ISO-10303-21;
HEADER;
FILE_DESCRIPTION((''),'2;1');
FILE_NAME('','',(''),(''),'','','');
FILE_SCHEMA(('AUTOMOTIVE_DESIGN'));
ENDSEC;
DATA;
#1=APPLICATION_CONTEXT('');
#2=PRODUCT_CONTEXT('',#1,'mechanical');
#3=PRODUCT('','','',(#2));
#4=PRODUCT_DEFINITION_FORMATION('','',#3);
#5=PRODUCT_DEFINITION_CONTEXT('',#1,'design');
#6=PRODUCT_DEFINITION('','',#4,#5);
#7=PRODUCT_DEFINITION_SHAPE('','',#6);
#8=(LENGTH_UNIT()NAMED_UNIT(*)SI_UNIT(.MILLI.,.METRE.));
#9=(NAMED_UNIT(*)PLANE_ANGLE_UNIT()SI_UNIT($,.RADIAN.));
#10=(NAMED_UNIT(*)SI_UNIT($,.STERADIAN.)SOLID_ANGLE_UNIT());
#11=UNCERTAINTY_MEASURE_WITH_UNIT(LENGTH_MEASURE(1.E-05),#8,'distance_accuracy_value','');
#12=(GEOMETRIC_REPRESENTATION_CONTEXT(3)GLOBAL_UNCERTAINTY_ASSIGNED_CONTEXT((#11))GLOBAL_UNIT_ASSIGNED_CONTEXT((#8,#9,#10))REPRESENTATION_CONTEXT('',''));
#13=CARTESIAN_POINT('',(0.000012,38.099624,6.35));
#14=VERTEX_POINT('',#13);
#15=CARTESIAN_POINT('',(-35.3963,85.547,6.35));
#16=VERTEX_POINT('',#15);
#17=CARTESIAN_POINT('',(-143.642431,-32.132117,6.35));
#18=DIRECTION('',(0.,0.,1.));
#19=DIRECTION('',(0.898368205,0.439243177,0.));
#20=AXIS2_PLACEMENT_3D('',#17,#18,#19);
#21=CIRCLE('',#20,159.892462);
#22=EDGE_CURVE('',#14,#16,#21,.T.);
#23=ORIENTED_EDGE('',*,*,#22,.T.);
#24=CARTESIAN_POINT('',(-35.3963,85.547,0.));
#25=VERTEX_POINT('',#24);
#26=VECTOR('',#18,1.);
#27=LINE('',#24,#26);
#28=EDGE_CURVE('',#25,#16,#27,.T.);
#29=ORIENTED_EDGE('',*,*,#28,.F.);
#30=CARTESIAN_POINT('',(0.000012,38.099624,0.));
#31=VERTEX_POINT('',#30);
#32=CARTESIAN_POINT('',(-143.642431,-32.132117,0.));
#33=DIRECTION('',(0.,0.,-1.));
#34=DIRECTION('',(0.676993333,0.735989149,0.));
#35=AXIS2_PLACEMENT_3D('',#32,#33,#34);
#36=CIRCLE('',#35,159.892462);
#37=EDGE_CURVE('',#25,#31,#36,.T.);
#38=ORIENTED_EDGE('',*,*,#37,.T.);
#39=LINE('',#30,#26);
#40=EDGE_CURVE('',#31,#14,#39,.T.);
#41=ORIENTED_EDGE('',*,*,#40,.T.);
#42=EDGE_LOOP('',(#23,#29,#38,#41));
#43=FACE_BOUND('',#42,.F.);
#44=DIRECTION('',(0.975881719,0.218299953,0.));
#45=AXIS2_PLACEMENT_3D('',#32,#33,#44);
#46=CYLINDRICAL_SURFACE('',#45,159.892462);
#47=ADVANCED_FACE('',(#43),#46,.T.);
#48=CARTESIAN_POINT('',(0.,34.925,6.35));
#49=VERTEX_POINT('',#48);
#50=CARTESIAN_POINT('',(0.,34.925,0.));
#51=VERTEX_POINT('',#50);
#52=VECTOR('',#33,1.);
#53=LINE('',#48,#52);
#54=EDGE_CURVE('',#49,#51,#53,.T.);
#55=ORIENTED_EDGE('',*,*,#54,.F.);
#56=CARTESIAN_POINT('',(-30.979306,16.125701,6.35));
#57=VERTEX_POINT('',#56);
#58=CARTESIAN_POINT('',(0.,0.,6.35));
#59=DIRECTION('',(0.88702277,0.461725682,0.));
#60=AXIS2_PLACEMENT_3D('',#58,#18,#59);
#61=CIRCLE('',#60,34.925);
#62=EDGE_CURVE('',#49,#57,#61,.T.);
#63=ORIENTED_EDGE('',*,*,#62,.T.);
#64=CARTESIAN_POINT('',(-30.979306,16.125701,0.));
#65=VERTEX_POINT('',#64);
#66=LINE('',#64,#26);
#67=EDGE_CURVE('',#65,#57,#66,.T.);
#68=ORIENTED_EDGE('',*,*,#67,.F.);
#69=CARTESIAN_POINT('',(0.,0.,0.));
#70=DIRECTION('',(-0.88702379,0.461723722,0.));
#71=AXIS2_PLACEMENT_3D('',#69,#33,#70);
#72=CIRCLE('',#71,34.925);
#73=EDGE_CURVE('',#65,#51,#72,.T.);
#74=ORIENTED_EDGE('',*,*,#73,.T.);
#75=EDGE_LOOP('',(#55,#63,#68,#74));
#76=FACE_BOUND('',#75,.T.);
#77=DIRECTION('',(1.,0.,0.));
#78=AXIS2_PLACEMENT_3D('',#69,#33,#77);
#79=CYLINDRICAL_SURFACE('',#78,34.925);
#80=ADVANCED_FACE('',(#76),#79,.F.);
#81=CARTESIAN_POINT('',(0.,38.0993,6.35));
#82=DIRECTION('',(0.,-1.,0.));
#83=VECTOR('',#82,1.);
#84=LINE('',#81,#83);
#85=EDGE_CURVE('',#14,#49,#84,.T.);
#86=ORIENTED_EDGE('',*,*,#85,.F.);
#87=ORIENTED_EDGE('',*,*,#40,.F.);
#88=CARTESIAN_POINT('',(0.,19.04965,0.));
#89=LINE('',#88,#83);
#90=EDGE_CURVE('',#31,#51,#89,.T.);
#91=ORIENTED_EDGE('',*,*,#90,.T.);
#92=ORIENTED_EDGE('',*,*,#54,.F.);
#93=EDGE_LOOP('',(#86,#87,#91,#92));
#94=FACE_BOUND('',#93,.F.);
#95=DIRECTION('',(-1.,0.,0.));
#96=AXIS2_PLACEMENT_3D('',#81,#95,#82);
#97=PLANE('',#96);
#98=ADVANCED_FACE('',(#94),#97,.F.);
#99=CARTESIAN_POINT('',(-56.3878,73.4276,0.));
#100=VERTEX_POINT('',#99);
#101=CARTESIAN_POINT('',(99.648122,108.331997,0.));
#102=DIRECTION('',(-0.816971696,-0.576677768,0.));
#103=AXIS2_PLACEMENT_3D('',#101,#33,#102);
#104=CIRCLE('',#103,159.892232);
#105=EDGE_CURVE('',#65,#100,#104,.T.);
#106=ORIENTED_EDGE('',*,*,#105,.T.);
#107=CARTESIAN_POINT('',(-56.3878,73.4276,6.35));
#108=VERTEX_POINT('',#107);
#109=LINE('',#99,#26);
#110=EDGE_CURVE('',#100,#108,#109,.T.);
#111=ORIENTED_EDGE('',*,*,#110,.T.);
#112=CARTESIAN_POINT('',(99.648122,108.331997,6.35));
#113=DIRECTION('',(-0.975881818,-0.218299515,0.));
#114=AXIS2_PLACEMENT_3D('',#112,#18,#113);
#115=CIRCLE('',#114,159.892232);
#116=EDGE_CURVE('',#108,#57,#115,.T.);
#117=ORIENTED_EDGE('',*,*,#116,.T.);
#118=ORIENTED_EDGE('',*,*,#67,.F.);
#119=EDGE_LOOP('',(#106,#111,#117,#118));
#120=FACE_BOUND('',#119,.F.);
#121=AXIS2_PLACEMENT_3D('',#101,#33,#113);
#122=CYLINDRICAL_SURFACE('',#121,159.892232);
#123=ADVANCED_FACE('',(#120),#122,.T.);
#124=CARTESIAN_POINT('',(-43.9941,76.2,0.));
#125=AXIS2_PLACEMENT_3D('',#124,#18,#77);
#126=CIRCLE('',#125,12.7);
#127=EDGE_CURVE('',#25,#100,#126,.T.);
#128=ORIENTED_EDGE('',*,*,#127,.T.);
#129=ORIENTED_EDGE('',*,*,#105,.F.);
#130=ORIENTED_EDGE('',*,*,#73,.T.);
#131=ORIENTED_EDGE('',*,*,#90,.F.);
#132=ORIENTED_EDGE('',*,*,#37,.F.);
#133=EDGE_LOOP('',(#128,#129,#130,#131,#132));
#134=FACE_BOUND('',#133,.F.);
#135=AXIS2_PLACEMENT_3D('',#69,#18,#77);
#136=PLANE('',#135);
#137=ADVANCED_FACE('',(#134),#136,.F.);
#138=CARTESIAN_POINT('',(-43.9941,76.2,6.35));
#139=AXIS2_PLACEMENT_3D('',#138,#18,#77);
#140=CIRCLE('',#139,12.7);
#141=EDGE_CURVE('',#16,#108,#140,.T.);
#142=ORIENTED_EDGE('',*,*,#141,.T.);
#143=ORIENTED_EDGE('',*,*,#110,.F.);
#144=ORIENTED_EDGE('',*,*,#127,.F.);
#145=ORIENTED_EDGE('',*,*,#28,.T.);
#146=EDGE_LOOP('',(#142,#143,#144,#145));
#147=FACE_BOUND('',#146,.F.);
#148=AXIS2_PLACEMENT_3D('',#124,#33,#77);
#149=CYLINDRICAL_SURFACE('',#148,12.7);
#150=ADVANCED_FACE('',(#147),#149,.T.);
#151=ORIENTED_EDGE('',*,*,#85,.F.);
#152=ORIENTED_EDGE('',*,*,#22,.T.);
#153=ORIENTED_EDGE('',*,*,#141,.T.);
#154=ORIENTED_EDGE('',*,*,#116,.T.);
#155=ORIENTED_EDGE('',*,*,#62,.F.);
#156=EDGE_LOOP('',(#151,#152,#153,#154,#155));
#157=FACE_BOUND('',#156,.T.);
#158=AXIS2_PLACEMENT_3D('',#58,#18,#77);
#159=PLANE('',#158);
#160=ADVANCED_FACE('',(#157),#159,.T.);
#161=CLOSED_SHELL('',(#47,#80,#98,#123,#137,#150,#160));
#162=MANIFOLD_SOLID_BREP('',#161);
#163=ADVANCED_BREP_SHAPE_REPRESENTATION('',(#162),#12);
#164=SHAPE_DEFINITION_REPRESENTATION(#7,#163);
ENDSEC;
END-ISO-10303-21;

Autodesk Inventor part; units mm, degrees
ref_plane "YZ Plane" through (0, 0, 0) normal (1, 0, 0) x (0, 1, 0)
ref_plane "XZ Plane" through (0, 0, 0) normal (0, 1, 0) x (-1, 0, 0)
ref_plane "XY Plane" through (0, 0, 0) normal (0, 0, 1) x (1, 0, 0)
sketch "Sketch1" plane through (0, 0, 0) normal (0, 0, 1) x (1, 0, 0)
  circle A0 centre (0, 0) radius 12.7
  line L0 (0, 0) -> (-43.9941, 76.2)
  line L1 (-43.9941, 76.2) -> (43.9941, 76.2)
  line L2 (43.9941, 76.2) -> (0, 0)
  line L3 (0, 0) -> (0, 76.2)
  circle A1 centre (-43.9941, 76.2) radius 12.7
  circle A2 centre (43.9941, 76.2) radius 12.7
  arc A3 (-56.3878, 73.4276) -> (-8.5978, -9.347) centre (99.6489, 108.3323) ccw
  arc A4 (12.3937, 2.7724) -> (-35.3963, 85.547) centre (-143.6429, -32.1323) ccw
  arc A5 (8.5978, -9.347) -> (56.3878, 73.4276) centre (-99.6489, 108.3323) ccw
  arc A6 (35.3963, 85.547) -> (-12.3937, 2.7724) centre (143.6429, -32.1323) ccw
  circle A7 centre (0, 0) radius 38.1
  circle A8 centre (0, 0) radius 34.925
  point P0 (-30.9793, 16.1257)
  point P1 (30.9793, 16.1257)
  point P2 (56.3878, 73.4276)
  point P3 (0, 38.0993)
  dimension "d2" = 25.4
  dimension "d3" = 25.4
  dimension "d0" = 76.2
  dimension "d1" = 60
  dimension "d4" = 25.4
  dimension "d5" = 159.893
  dimension "d6" = 76.2
  dimension "d7" = 3.175
extrude "Extrusion1" add sketch "Sketch1" along normal blind 6.35 contours A8 L2 A7 A5 | A8 A4 A7 L2 | A8 L3 A4 | A3 A7 L0 A8 | A7 L2 A2 A5 | A8 A6 L3 | A7 A6 L1 A2 L2 | A7 L0 A1 L1 A4 | A6 A8 L0 A7 | A3 A1 L0 A7 | A2 L2 L1 | A2 L1 L2 | L1 A1 A4 | A6 A2 L1 | A1 L1 L0 | A1 L0 L1
sketch "Sketch2" plane through (0, 0, 6.35) normal (0, 0, 1) x (1, 0, 0)
  arc A0 (-56.3878, 73.4276) -> (-30.9793, 16.1257) centre (99.6489, 108.3323) ccw projected
  arc A1 (30.9793, 16.1257) -> (-30.9793, 16.1257) centre (0, 0) ccw projected
  arc A2 (30.9793, 16.1257) -> (56.3878, 73.4276) centre (-99.6489, 108.3323) ccw projected
  arc A3 (56.3878, 73.4276) -> (35.3963, 85.547) centre (43.9941, 76.2) ccw projected
  arc A4 (35.3963, 85.547) -> (0, 38.0993) centre (143.6429, -32.1323) ccw projected
  arc A5 (0, 38.0993) -> (-35.3963, 85.547) centre (-143.6429, -32.1323) ccw projected
  arc A6 (-35.3963, 85.547) -> (-56.3878, 73.4276) centre (-43.9941, 76.2) ccw projected
  line L0 (0, 38.0993) -> (0, 34.925)
extrude "Extrusion2" cut sketch "Sketch2" against normal through all contours L0 A4 A3 A2 A1
properties part number "bunny ears"
